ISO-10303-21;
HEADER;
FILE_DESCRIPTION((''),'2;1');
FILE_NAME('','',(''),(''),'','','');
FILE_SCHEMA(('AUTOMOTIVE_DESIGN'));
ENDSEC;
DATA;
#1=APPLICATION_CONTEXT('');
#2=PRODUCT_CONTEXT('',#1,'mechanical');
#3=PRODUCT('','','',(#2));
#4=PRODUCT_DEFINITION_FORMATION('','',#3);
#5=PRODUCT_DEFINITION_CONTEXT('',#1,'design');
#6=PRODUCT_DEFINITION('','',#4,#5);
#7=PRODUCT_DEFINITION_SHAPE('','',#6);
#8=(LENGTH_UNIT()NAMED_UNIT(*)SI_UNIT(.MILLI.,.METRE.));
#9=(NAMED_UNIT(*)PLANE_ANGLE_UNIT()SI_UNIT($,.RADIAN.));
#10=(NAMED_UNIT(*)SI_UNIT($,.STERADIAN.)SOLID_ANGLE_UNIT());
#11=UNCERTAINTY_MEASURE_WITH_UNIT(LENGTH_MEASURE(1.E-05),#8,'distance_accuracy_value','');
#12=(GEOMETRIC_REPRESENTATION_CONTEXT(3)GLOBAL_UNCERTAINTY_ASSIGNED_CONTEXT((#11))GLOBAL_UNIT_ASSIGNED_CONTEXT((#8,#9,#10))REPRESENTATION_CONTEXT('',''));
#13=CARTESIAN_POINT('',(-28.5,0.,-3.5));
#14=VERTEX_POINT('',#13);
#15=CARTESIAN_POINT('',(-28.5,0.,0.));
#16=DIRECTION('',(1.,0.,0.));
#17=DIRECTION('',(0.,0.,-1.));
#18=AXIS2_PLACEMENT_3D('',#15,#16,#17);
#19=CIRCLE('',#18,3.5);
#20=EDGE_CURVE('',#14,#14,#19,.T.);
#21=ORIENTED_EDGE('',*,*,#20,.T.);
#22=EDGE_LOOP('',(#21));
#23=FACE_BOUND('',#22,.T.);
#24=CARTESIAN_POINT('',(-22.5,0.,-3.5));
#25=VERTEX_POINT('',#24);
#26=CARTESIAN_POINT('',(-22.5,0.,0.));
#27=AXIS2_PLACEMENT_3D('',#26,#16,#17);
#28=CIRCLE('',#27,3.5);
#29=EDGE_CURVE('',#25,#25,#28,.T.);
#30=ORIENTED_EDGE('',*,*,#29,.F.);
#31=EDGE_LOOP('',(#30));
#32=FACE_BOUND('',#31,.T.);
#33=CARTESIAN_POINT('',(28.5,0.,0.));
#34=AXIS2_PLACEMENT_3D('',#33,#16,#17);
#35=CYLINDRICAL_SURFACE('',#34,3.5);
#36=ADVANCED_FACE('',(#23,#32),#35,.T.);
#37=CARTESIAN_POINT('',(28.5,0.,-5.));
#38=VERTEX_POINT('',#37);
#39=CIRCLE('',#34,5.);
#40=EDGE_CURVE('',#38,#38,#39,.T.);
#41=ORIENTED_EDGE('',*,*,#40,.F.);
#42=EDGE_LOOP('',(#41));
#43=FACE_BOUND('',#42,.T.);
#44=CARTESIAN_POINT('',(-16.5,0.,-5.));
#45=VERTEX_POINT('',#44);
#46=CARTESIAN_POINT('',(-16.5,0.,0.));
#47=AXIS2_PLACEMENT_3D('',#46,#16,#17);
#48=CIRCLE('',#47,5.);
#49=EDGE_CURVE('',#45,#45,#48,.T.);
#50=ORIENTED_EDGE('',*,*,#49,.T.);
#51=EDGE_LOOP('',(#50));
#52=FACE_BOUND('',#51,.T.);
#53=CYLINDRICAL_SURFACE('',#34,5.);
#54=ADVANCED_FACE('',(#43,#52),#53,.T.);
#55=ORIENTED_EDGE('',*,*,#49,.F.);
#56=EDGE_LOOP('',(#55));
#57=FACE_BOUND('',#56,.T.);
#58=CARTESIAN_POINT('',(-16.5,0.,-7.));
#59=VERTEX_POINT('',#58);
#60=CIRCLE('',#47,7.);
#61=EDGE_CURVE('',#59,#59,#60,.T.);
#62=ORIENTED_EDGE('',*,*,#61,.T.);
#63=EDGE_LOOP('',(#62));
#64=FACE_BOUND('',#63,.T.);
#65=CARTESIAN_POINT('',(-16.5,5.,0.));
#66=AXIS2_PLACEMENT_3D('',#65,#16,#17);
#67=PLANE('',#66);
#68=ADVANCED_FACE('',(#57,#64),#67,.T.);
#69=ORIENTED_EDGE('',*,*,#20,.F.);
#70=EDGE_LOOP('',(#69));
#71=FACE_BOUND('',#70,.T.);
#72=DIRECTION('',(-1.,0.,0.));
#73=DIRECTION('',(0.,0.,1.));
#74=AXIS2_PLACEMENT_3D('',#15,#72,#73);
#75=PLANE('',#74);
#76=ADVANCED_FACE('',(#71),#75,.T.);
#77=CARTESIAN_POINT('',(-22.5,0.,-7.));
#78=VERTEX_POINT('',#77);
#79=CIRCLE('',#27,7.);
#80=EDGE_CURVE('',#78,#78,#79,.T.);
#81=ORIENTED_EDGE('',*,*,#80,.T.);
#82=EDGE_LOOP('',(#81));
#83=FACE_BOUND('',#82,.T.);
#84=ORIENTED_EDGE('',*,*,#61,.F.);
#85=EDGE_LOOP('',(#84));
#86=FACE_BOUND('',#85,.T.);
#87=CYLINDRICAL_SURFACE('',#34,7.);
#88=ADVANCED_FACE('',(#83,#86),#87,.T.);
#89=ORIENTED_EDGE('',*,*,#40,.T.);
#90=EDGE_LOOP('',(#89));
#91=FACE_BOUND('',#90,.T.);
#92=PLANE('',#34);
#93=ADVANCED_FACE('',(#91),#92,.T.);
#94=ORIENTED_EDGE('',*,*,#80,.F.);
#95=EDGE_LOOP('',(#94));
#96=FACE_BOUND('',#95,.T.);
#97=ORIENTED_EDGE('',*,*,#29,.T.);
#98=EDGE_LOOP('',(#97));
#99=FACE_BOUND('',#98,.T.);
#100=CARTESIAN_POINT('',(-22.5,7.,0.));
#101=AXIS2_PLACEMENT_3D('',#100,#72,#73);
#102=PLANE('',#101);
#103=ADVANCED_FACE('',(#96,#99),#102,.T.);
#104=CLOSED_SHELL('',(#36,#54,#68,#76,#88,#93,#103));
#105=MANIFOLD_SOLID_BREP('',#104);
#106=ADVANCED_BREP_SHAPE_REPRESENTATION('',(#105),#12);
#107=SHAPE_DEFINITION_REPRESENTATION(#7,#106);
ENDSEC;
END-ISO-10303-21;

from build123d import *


with BuildPart() as part:
    # Sketch1 → Revolve1 (revolve)
    with BuildSketch(Plane.XY, mode=Mode.PRIVATE) as revolve1_sk:
        Polygon((28.5, 0), (-28.5, 0), (-28.5, 3.5), (-22.5, 3.5), (-22.5, 7), (-16.5, 7), (-16.5, 5), (28.5, 5), align=None)
    revolve(revolve1_sk.sketch.rotate(Axis((28.5, 0, 0), (-1, 0, 0)), 90), axis=Axis((28.5, 0, 0), (-1, 0, 0)))


solid = part.part
